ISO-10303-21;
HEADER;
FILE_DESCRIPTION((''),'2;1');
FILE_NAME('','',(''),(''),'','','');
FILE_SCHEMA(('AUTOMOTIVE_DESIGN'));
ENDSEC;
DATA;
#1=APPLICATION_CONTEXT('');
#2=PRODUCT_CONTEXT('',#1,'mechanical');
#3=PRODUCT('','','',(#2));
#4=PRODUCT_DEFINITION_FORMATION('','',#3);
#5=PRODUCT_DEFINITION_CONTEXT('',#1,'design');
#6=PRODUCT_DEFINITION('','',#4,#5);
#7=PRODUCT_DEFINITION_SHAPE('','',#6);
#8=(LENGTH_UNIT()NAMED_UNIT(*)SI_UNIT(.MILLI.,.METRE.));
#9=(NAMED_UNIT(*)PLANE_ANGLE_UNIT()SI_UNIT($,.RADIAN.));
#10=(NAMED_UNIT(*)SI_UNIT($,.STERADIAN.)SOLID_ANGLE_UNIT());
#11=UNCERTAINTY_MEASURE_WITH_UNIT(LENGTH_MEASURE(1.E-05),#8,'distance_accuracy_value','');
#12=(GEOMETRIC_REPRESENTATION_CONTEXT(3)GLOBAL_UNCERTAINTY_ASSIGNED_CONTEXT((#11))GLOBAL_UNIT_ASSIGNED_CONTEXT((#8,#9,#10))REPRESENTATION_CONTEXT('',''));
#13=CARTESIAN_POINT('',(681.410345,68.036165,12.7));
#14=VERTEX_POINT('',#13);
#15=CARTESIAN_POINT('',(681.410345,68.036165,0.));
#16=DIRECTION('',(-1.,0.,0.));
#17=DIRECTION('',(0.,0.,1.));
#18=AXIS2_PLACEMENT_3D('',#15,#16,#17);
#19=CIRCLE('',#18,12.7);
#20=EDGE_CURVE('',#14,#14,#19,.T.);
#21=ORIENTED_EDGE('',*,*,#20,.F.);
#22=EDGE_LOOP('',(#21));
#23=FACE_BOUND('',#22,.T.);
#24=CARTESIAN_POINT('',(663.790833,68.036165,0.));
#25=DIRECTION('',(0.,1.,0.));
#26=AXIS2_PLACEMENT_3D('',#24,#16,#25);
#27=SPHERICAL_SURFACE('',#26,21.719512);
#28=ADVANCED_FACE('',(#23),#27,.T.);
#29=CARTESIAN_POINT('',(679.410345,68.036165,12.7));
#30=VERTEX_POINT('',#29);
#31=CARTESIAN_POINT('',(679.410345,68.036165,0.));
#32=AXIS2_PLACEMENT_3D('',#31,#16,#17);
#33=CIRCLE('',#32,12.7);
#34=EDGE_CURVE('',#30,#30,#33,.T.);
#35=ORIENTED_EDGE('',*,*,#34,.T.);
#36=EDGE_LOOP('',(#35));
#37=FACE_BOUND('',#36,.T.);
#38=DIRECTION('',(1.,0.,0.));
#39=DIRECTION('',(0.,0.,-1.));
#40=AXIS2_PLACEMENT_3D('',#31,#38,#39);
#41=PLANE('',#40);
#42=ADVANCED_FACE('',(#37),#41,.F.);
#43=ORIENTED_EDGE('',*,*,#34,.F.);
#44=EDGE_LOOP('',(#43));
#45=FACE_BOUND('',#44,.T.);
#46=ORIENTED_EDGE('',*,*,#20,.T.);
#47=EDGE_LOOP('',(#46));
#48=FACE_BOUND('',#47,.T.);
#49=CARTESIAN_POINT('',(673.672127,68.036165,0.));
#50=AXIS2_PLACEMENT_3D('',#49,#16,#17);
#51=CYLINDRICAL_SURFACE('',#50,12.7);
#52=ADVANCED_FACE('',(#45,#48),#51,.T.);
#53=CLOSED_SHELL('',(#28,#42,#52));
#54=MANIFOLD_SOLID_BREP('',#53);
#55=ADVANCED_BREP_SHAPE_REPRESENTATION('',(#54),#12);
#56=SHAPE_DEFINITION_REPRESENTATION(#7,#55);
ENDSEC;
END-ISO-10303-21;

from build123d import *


with BuildPart() as part:
    # 草图1 → 旋转1 (revolve)
    with BuildSketch(Plane.XY):
        with BuildLine():
            Line((679.410345435, 68.036164603), (679.410345435, 80.736164603))
            Line((679.410345435, 80.736164603), (681.410345435, 80.736164603))
            ThreePointArc((681.410345435, 80.736164603), (684.459945703, 74.708870201), (685.510345435, 68.036164603))
            Line((685.510345435, 68.036164603), (679.410345435, 68.036164603))
        make_face()
    revolve(axis=Axis((673.6721274, 68.036164603, 0), (1, 0, 0)))


solid = part.part
